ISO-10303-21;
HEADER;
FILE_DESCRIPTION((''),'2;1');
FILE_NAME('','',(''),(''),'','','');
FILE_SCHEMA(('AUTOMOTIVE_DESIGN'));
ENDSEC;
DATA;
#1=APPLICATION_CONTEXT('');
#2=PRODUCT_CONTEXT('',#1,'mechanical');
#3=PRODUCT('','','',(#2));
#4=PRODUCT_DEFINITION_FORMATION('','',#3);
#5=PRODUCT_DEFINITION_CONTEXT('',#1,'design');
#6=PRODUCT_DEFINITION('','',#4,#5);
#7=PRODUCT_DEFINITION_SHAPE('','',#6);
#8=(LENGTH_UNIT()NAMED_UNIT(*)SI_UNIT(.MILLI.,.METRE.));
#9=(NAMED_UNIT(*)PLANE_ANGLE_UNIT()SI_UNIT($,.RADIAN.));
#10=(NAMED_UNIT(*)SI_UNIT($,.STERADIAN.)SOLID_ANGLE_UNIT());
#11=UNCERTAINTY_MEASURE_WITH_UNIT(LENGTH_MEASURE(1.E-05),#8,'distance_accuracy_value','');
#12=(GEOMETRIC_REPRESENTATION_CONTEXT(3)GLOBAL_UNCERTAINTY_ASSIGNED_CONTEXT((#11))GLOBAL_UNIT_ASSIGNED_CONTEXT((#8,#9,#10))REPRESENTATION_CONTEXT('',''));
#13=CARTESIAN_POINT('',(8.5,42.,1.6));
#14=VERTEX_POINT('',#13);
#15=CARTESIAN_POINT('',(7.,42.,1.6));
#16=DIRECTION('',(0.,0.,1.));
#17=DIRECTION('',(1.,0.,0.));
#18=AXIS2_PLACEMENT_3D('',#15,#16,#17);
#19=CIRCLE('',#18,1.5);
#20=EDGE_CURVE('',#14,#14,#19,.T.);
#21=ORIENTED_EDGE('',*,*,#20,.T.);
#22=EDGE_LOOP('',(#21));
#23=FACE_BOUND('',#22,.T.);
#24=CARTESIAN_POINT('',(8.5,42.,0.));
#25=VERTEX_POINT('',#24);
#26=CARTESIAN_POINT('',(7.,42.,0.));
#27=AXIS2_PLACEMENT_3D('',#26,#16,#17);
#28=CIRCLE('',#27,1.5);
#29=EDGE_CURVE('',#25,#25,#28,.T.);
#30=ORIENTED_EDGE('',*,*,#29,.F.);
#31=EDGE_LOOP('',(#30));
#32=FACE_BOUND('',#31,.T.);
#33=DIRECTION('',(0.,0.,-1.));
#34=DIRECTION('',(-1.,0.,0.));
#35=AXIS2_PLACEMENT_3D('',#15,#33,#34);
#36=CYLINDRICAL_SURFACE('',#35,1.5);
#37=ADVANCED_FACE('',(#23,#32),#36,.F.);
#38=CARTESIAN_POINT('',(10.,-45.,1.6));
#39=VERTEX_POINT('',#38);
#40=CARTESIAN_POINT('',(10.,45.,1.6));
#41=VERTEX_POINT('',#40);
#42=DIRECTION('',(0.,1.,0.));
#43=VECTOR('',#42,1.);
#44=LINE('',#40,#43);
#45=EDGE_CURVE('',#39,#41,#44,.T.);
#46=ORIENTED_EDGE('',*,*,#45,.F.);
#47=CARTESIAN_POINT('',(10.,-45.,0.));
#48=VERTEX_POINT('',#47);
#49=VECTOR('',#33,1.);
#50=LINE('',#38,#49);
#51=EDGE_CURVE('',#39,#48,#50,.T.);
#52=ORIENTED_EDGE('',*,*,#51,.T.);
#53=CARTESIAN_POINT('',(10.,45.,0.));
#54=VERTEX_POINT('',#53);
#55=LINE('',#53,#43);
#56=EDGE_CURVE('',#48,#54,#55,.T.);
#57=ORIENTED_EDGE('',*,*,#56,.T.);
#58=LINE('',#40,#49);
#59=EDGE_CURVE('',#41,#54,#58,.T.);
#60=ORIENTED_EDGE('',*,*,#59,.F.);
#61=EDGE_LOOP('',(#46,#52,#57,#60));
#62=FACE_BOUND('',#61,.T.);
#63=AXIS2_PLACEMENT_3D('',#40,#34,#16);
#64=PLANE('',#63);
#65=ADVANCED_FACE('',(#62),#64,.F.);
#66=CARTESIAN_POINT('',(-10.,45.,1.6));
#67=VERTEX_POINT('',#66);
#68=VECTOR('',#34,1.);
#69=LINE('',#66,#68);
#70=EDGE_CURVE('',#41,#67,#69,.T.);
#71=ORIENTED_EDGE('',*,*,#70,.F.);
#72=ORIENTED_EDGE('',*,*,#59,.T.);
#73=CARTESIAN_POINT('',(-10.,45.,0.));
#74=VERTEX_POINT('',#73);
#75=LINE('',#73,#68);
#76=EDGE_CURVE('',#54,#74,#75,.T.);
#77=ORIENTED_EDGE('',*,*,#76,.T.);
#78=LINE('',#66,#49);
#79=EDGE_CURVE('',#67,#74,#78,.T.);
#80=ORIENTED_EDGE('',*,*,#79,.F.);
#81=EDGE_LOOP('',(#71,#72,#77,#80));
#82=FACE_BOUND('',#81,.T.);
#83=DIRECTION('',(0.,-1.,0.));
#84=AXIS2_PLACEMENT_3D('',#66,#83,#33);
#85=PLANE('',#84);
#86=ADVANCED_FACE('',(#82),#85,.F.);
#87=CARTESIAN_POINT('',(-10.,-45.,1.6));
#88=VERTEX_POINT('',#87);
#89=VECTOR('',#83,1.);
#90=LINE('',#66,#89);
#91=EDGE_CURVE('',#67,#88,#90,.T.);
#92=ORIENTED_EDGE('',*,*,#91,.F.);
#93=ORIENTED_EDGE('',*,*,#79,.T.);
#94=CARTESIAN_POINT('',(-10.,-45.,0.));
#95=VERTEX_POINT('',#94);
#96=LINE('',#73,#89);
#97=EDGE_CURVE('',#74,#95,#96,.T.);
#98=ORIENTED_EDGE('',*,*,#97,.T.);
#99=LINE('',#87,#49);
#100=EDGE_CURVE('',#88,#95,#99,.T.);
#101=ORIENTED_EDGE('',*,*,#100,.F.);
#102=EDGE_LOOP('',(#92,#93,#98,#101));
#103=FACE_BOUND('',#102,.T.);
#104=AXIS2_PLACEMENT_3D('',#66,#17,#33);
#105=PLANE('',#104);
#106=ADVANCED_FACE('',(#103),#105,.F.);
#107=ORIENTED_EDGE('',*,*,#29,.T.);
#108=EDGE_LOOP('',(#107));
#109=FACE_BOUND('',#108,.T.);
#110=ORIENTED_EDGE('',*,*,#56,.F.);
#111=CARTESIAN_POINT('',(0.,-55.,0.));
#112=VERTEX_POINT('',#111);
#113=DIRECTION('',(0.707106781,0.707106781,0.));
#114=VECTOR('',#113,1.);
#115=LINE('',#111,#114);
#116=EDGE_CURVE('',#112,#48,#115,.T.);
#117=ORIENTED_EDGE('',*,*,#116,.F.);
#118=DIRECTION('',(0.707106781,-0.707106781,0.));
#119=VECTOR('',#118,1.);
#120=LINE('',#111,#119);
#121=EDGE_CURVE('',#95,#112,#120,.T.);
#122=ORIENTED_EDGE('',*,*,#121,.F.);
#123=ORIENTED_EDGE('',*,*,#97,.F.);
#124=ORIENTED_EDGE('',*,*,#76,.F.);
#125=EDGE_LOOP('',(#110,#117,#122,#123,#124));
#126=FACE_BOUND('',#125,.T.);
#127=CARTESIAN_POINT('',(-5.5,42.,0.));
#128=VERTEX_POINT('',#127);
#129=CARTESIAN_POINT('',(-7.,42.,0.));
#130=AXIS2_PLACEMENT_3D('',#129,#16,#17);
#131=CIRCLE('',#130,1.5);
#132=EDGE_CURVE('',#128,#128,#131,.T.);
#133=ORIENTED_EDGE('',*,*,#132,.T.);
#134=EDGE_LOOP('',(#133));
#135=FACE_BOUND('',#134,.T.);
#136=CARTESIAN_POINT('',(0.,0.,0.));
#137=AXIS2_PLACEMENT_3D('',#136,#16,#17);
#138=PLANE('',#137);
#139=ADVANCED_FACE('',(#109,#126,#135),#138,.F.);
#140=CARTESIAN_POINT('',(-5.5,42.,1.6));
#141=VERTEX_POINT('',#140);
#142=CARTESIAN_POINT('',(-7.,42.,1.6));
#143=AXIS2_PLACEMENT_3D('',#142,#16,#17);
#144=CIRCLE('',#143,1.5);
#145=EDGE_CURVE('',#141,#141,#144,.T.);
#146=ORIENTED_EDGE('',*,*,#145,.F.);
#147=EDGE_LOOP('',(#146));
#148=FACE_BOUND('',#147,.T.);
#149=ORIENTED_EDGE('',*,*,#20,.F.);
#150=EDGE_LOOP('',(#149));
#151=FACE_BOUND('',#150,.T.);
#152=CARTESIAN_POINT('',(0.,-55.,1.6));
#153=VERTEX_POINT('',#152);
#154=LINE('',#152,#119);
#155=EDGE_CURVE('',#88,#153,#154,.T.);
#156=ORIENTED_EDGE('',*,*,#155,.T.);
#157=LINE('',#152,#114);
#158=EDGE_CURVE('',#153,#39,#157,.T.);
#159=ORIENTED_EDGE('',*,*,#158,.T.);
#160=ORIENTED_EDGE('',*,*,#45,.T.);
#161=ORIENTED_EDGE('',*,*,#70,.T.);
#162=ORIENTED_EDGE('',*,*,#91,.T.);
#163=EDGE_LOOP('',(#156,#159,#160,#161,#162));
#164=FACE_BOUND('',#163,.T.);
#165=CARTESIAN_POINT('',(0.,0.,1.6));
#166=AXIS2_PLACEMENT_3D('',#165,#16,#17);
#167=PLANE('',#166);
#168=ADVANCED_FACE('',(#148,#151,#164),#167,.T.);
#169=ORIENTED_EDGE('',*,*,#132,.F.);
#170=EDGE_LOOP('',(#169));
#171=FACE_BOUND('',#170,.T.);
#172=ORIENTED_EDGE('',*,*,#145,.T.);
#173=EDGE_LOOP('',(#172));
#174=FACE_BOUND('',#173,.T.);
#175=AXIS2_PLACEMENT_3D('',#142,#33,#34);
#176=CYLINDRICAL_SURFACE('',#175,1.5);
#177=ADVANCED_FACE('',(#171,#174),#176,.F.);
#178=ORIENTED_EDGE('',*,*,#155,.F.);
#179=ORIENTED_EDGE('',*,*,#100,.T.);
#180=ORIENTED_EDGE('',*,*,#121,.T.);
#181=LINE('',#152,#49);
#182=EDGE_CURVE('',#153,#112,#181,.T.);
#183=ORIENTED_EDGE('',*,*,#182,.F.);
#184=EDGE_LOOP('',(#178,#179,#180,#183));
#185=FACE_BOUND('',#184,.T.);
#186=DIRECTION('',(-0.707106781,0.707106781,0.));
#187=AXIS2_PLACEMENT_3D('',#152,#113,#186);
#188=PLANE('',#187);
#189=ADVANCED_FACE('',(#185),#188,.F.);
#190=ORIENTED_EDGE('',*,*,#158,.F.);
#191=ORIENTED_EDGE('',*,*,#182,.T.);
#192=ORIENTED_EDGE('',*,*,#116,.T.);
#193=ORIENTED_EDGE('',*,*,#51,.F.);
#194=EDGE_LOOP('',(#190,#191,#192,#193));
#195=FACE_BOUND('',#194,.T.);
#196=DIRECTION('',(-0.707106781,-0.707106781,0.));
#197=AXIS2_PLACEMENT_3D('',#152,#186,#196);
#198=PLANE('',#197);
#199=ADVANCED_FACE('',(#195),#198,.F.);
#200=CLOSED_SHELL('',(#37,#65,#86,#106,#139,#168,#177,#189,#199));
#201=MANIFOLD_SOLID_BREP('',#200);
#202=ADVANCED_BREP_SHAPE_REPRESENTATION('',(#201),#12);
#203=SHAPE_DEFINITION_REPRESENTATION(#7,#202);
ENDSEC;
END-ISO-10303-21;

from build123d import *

# Parameters (mm, degrees)
IZIM1_R                     = 1.5
Y_KSEKLIK_EKSTR_ZYON1_DEPTH = 1.6


with BuildPart() as part:
    # Çizim1 → Yükseklik-Ekstrüzyon1 (new body)
    with BuildSketch(Plane.XY):
        Polygon((0, -55), (-10, -45), (-10, 45), (10, 45), (10, -45), align=None)
        with Locations((-7, 42)):
            Circle(IZIM1_R, mode=Mode.SUBTRACT)
        with Locations((7, 42)):
            Circle(IZIM1_R, mode=Mode.SUBTRACT)
    extrude(amount=Y_KSEKLIK_EKSTR_ZYON1_DEPTH)


solid = part.part
